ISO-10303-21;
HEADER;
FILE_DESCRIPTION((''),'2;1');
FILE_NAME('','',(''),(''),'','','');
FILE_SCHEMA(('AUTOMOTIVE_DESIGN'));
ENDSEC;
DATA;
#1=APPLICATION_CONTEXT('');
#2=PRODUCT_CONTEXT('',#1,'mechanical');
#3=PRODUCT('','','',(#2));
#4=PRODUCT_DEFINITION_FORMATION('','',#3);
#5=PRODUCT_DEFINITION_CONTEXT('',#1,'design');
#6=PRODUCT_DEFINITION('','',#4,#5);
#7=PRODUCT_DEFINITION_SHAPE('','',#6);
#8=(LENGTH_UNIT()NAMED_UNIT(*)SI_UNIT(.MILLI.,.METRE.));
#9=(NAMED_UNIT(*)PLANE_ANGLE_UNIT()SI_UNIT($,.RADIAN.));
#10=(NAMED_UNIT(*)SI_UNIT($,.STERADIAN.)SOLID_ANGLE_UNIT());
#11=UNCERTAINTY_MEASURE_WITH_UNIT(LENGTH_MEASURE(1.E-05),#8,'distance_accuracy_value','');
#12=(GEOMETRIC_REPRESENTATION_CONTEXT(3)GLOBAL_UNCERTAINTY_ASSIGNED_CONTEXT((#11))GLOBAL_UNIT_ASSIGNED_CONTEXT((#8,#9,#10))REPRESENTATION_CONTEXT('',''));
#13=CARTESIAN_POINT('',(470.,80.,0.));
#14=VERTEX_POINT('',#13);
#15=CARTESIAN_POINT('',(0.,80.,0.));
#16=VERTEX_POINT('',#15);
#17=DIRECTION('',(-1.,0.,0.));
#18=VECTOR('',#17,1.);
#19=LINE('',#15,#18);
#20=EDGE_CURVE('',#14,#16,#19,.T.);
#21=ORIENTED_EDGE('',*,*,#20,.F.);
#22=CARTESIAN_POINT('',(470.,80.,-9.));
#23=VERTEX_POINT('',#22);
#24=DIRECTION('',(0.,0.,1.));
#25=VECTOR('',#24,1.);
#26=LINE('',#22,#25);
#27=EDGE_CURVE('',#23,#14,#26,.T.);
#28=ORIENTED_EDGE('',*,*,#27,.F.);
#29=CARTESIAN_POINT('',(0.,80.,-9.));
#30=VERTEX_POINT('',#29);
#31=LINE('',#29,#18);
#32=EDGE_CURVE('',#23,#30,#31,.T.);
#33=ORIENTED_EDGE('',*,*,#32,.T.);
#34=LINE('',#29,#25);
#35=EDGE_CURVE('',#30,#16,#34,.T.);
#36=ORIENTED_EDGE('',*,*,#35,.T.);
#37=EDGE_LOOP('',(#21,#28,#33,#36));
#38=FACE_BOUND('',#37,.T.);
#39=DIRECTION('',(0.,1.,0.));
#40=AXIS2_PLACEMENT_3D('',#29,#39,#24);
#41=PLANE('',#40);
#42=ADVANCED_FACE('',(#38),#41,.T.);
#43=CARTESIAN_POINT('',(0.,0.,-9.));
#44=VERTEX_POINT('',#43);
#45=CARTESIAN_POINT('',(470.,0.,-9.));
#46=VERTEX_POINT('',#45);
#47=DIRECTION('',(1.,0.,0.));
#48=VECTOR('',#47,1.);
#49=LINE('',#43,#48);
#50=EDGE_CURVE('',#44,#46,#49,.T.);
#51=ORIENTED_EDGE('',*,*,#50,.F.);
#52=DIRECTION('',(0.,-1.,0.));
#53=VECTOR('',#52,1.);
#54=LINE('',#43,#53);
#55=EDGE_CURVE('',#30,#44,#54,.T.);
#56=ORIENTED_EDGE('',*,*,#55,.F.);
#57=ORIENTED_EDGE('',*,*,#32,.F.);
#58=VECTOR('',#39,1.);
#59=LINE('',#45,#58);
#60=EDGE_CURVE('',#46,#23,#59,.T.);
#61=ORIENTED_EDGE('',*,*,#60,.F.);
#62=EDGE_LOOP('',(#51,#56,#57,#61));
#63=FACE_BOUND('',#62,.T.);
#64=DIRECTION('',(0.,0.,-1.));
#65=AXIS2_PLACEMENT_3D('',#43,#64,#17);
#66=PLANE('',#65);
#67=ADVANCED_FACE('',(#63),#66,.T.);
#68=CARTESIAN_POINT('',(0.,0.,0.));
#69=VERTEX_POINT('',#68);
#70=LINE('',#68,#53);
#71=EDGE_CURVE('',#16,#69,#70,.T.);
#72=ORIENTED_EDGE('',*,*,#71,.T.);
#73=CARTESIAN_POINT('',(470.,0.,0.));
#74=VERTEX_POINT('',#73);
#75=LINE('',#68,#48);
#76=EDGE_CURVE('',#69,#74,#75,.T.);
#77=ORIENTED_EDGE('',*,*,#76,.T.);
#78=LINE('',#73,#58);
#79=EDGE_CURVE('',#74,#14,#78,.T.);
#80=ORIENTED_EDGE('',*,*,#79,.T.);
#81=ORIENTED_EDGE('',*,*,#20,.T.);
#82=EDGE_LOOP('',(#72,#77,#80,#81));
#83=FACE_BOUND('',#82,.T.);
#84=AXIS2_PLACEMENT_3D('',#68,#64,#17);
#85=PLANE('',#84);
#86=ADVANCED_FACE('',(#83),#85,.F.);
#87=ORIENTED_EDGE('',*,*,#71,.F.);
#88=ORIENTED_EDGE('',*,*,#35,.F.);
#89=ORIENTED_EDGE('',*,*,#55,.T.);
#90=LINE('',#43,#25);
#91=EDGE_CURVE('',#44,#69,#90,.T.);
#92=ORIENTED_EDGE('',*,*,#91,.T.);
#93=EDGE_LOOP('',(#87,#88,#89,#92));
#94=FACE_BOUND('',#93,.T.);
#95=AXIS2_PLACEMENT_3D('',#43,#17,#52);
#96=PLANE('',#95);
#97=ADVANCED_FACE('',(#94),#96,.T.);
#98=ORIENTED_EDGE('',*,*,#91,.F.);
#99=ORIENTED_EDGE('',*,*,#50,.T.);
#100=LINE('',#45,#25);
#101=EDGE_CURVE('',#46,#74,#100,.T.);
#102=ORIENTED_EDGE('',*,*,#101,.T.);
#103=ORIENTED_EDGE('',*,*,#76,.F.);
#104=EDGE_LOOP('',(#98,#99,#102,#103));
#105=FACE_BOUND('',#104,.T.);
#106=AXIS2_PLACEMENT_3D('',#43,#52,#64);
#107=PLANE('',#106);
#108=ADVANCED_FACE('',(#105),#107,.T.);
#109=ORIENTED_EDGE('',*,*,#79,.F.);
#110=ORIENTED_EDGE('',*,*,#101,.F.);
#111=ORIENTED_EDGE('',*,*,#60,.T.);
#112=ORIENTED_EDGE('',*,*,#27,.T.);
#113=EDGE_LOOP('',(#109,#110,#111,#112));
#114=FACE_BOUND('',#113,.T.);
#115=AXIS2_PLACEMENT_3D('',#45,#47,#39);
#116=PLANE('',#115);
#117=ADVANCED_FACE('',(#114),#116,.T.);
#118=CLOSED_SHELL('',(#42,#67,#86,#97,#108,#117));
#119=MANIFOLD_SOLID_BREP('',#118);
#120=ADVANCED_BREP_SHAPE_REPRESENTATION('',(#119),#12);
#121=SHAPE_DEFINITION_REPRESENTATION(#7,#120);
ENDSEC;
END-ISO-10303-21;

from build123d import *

# Parameters (mm, degrees)
SZKIC1_W                    = 470
SZKIC1_H                    = 80
DODANIE_WYCI_GNI_CIE1_DEPTH = 9


with BuildPart() as part:
    # Szkic1 → Dodanie-wyciągnięcie1 (new body)
    with BuildSketch(Plane.XY):
        with Locations((235, 40)):
            Rectangle(SZKIC1_W, SZKIC1_H)
    extrude(amount=-DODANIE_WYCI_GNI_CIE1_DEPTH)


solid = part.part
